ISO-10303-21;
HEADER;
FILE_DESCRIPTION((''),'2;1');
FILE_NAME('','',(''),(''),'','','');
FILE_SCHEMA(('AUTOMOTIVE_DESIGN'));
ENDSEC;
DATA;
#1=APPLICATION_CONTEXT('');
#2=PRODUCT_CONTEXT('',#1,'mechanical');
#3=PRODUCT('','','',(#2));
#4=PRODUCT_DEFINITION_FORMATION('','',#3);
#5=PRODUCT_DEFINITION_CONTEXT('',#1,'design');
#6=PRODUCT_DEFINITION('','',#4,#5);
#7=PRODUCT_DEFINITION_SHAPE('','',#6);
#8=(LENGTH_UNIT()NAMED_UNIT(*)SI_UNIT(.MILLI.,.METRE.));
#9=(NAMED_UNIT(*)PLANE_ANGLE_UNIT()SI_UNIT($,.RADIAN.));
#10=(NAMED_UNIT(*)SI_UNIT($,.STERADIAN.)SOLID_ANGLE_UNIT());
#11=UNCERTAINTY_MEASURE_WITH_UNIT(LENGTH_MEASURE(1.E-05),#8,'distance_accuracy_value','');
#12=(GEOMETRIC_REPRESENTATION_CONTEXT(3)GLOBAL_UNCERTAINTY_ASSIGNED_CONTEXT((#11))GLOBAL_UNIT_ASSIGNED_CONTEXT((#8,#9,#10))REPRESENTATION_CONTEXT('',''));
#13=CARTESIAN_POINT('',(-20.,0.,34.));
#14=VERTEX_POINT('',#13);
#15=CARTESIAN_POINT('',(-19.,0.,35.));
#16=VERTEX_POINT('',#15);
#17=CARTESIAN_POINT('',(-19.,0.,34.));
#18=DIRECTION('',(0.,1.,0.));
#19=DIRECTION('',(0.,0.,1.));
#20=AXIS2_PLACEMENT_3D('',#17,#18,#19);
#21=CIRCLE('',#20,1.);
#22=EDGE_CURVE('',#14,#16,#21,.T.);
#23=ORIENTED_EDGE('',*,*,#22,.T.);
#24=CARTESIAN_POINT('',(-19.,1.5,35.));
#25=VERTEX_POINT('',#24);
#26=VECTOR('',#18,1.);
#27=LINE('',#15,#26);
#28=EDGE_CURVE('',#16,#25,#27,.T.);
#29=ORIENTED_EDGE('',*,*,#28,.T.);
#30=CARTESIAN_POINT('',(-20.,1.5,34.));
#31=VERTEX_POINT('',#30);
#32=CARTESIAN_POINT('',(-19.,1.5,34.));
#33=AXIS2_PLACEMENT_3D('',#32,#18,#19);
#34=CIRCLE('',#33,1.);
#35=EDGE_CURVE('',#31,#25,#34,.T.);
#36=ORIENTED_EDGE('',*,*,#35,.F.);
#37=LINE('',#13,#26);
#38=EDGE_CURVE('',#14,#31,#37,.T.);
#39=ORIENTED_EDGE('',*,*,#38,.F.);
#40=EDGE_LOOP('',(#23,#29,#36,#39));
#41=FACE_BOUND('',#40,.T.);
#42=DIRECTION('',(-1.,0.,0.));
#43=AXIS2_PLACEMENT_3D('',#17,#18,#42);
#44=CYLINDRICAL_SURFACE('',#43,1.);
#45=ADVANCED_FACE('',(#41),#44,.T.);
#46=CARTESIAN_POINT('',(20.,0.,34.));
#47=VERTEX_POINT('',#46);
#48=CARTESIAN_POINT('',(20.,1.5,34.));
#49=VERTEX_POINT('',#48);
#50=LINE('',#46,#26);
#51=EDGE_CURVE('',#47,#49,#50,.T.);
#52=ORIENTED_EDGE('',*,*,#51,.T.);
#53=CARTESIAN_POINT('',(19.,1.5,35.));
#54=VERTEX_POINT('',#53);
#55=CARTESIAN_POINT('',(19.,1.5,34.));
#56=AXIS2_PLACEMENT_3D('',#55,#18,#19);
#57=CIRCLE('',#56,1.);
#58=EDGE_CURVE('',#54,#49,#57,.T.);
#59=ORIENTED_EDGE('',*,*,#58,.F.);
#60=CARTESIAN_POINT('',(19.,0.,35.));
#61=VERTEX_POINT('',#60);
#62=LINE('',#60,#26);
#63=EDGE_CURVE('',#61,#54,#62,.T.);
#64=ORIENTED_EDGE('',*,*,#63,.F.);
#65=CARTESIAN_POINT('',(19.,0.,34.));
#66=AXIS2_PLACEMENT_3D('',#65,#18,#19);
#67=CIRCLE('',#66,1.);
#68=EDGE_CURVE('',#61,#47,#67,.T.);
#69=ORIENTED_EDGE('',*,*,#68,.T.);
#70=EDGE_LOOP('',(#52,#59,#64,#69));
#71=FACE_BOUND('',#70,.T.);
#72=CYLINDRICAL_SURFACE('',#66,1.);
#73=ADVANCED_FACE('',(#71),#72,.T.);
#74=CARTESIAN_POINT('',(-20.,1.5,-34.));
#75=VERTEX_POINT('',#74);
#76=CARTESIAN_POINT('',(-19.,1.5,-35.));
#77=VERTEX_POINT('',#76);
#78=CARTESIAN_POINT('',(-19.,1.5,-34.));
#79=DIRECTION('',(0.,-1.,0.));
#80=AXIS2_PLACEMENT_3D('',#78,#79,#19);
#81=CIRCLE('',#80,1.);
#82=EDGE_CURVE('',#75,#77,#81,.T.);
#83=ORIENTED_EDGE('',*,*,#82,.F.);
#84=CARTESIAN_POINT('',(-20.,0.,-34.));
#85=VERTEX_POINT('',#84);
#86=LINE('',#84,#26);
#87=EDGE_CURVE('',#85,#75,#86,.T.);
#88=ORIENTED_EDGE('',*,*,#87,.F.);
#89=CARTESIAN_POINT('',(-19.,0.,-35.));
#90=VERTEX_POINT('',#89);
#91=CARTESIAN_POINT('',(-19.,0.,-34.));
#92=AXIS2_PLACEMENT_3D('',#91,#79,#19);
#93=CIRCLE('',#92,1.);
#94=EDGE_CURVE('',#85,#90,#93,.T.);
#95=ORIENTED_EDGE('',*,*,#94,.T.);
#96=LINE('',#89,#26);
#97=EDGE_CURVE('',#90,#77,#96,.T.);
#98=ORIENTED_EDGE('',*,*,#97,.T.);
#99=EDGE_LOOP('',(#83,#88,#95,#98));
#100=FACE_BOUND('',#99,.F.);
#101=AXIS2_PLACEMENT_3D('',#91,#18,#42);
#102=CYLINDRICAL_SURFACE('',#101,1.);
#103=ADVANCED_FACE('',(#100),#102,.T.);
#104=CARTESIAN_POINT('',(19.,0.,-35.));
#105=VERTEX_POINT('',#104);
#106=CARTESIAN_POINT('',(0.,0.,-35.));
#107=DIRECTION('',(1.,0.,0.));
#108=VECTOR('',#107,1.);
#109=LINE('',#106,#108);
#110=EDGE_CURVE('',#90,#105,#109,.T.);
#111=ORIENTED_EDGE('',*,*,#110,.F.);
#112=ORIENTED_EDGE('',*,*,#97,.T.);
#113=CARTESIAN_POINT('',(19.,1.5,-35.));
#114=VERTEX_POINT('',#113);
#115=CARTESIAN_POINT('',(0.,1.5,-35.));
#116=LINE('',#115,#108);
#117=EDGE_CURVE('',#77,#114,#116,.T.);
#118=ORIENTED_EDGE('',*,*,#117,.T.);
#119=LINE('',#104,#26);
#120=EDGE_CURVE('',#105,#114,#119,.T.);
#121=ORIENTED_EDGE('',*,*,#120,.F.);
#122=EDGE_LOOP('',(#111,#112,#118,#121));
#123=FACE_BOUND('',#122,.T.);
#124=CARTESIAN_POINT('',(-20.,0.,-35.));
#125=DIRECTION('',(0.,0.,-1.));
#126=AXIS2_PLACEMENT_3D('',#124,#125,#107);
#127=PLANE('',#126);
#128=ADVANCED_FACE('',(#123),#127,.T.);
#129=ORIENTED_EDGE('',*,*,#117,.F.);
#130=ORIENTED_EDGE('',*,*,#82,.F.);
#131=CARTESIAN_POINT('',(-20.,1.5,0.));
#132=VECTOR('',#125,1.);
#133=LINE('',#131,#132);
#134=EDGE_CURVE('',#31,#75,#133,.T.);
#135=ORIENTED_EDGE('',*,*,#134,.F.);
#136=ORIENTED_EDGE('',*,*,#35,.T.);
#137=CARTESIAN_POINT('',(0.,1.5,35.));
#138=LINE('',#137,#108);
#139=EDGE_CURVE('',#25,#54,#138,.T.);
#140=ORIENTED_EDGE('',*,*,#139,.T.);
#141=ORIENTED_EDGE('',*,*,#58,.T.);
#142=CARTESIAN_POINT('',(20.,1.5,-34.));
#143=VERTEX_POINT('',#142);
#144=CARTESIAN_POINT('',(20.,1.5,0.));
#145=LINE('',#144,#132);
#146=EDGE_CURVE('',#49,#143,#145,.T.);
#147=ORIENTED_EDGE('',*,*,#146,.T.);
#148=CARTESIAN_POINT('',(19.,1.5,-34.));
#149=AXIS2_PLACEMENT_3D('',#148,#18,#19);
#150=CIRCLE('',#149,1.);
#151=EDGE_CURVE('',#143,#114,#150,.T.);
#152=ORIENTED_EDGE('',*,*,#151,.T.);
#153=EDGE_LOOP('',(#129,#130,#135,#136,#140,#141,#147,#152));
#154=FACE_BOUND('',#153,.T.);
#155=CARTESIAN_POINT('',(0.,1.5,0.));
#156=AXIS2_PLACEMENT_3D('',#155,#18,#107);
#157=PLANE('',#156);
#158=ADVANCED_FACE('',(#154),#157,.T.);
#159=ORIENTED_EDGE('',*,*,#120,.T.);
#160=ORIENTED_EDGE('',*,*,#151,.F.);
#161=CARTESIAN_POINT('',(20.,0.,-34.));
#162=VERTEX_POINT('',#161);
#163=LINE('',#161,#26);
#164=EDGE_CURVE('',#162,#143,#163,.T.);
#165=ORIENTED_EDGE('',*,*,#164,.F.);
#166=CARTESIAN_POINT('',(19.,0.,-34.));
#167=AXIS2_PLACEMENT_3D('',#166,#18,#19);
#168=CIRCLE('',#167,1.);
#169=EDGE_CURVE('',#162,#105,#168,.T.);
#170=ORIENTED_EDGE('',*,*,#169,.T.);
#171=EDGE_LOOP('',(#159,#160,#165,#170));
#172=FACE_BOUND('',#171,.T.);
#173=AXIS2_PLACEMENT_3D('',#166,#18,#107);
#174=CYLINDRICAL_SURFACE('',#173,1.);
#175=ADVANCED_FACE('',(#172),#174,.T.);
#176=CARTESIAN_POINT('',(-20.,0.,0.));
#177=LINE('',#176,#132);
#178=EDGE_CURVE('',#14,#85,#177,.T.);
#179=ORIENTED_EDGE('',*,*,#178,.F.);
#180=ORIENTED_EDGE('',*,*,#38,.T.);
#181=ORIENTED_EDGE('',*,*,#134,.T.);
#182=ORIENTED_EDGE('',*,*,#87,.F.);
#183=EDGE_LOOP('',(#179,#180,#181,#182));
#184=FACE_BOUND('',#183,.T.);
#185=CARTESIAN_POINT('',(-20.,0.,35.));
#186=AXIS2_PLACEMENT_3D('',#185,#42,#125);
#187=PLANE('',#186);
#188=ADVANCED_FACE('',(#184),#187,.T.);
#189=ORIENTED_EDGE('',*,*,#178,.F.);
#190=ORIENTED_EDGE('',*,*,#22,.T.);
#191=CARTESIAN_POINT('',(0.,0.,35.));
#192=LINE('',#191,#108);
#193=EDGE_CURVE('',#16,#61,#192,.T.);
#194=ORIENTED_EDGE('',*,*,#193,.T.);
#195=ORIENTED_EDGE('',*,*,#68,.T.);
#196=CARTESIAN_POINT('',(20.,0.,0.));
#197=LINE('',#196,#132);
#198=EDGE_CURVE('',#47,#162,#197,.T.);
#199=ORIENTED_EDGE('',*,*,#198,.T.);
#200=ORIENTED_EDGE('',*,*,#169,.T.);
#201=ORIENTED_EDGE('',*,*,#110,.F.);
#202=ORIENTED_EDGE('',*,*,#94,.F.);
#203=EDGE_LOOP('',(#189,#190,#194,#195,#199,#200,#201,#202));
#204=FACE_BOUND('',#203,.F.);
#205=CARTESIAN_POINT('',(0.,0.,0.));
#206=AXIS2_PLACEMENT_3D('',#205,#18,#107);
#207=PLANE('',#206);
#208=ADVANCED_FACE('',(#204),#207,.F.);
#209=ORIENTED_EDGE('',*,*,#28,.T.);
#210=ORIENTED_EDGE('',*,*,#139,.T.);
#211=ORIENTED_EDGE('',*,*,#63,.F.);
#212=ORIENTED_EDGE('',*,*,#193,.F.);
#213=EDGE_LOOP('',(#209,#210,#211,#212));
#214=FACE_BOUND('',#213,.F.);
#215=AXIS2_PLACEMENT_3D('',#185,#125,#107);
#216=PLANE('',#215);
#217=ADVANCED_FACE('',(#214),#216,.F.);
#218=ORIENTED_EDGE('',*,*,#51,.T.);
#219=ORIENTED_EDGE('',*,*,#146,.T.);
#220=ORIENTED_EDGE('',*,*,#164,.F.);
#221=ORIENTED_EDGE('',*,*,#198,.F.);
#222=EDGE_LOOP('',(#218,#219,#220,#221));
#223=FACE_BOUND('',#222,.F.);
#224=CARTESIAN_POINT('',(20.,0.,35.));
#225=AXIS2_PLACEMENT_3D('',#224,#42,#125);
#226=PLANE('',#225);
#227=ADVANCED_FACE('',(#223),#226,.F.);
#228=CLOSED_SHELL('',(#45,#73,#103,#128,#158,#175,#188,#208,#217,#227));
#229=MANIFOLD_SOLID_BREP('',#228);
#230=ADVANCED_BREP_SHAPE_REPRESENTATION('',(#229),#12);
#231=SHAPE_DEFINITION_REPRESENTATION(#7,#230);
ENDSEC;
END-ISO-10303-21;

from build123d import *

# Parameters (mm, degrees)
SKETCH_1_W      = 40
SKETCH_1_H      = 70
EXTRUDE_1_DEPTH = 1.5
FILLET_2_R      = 1


with BuildPart() as part:
    # Эскиз1 → Бобышка-Вытянуть1 (new body)
    with BuildSketch(Plane(origin=(0, 0, 0), x_dir=(1, 0, 0), z_dir=(0, 1, 0))):
        Rectangle(SKETCH_1_W, SKETCH_1_H)
    extrude(amount=EXTRUDE_1_DEPTH)

    # Скругление2
    fillet_2_edges = [part.edges().sort_by_distance(p)[0] for p in [
        (20, 0.75, 35),
        (-20, 0.75, 35),
        (-20, 0.75, -35),
        (20, 0.75, -35),
    ]]
    fillet(fillet_2_edges, radius=FILLET_2_R)


solid = part.part
